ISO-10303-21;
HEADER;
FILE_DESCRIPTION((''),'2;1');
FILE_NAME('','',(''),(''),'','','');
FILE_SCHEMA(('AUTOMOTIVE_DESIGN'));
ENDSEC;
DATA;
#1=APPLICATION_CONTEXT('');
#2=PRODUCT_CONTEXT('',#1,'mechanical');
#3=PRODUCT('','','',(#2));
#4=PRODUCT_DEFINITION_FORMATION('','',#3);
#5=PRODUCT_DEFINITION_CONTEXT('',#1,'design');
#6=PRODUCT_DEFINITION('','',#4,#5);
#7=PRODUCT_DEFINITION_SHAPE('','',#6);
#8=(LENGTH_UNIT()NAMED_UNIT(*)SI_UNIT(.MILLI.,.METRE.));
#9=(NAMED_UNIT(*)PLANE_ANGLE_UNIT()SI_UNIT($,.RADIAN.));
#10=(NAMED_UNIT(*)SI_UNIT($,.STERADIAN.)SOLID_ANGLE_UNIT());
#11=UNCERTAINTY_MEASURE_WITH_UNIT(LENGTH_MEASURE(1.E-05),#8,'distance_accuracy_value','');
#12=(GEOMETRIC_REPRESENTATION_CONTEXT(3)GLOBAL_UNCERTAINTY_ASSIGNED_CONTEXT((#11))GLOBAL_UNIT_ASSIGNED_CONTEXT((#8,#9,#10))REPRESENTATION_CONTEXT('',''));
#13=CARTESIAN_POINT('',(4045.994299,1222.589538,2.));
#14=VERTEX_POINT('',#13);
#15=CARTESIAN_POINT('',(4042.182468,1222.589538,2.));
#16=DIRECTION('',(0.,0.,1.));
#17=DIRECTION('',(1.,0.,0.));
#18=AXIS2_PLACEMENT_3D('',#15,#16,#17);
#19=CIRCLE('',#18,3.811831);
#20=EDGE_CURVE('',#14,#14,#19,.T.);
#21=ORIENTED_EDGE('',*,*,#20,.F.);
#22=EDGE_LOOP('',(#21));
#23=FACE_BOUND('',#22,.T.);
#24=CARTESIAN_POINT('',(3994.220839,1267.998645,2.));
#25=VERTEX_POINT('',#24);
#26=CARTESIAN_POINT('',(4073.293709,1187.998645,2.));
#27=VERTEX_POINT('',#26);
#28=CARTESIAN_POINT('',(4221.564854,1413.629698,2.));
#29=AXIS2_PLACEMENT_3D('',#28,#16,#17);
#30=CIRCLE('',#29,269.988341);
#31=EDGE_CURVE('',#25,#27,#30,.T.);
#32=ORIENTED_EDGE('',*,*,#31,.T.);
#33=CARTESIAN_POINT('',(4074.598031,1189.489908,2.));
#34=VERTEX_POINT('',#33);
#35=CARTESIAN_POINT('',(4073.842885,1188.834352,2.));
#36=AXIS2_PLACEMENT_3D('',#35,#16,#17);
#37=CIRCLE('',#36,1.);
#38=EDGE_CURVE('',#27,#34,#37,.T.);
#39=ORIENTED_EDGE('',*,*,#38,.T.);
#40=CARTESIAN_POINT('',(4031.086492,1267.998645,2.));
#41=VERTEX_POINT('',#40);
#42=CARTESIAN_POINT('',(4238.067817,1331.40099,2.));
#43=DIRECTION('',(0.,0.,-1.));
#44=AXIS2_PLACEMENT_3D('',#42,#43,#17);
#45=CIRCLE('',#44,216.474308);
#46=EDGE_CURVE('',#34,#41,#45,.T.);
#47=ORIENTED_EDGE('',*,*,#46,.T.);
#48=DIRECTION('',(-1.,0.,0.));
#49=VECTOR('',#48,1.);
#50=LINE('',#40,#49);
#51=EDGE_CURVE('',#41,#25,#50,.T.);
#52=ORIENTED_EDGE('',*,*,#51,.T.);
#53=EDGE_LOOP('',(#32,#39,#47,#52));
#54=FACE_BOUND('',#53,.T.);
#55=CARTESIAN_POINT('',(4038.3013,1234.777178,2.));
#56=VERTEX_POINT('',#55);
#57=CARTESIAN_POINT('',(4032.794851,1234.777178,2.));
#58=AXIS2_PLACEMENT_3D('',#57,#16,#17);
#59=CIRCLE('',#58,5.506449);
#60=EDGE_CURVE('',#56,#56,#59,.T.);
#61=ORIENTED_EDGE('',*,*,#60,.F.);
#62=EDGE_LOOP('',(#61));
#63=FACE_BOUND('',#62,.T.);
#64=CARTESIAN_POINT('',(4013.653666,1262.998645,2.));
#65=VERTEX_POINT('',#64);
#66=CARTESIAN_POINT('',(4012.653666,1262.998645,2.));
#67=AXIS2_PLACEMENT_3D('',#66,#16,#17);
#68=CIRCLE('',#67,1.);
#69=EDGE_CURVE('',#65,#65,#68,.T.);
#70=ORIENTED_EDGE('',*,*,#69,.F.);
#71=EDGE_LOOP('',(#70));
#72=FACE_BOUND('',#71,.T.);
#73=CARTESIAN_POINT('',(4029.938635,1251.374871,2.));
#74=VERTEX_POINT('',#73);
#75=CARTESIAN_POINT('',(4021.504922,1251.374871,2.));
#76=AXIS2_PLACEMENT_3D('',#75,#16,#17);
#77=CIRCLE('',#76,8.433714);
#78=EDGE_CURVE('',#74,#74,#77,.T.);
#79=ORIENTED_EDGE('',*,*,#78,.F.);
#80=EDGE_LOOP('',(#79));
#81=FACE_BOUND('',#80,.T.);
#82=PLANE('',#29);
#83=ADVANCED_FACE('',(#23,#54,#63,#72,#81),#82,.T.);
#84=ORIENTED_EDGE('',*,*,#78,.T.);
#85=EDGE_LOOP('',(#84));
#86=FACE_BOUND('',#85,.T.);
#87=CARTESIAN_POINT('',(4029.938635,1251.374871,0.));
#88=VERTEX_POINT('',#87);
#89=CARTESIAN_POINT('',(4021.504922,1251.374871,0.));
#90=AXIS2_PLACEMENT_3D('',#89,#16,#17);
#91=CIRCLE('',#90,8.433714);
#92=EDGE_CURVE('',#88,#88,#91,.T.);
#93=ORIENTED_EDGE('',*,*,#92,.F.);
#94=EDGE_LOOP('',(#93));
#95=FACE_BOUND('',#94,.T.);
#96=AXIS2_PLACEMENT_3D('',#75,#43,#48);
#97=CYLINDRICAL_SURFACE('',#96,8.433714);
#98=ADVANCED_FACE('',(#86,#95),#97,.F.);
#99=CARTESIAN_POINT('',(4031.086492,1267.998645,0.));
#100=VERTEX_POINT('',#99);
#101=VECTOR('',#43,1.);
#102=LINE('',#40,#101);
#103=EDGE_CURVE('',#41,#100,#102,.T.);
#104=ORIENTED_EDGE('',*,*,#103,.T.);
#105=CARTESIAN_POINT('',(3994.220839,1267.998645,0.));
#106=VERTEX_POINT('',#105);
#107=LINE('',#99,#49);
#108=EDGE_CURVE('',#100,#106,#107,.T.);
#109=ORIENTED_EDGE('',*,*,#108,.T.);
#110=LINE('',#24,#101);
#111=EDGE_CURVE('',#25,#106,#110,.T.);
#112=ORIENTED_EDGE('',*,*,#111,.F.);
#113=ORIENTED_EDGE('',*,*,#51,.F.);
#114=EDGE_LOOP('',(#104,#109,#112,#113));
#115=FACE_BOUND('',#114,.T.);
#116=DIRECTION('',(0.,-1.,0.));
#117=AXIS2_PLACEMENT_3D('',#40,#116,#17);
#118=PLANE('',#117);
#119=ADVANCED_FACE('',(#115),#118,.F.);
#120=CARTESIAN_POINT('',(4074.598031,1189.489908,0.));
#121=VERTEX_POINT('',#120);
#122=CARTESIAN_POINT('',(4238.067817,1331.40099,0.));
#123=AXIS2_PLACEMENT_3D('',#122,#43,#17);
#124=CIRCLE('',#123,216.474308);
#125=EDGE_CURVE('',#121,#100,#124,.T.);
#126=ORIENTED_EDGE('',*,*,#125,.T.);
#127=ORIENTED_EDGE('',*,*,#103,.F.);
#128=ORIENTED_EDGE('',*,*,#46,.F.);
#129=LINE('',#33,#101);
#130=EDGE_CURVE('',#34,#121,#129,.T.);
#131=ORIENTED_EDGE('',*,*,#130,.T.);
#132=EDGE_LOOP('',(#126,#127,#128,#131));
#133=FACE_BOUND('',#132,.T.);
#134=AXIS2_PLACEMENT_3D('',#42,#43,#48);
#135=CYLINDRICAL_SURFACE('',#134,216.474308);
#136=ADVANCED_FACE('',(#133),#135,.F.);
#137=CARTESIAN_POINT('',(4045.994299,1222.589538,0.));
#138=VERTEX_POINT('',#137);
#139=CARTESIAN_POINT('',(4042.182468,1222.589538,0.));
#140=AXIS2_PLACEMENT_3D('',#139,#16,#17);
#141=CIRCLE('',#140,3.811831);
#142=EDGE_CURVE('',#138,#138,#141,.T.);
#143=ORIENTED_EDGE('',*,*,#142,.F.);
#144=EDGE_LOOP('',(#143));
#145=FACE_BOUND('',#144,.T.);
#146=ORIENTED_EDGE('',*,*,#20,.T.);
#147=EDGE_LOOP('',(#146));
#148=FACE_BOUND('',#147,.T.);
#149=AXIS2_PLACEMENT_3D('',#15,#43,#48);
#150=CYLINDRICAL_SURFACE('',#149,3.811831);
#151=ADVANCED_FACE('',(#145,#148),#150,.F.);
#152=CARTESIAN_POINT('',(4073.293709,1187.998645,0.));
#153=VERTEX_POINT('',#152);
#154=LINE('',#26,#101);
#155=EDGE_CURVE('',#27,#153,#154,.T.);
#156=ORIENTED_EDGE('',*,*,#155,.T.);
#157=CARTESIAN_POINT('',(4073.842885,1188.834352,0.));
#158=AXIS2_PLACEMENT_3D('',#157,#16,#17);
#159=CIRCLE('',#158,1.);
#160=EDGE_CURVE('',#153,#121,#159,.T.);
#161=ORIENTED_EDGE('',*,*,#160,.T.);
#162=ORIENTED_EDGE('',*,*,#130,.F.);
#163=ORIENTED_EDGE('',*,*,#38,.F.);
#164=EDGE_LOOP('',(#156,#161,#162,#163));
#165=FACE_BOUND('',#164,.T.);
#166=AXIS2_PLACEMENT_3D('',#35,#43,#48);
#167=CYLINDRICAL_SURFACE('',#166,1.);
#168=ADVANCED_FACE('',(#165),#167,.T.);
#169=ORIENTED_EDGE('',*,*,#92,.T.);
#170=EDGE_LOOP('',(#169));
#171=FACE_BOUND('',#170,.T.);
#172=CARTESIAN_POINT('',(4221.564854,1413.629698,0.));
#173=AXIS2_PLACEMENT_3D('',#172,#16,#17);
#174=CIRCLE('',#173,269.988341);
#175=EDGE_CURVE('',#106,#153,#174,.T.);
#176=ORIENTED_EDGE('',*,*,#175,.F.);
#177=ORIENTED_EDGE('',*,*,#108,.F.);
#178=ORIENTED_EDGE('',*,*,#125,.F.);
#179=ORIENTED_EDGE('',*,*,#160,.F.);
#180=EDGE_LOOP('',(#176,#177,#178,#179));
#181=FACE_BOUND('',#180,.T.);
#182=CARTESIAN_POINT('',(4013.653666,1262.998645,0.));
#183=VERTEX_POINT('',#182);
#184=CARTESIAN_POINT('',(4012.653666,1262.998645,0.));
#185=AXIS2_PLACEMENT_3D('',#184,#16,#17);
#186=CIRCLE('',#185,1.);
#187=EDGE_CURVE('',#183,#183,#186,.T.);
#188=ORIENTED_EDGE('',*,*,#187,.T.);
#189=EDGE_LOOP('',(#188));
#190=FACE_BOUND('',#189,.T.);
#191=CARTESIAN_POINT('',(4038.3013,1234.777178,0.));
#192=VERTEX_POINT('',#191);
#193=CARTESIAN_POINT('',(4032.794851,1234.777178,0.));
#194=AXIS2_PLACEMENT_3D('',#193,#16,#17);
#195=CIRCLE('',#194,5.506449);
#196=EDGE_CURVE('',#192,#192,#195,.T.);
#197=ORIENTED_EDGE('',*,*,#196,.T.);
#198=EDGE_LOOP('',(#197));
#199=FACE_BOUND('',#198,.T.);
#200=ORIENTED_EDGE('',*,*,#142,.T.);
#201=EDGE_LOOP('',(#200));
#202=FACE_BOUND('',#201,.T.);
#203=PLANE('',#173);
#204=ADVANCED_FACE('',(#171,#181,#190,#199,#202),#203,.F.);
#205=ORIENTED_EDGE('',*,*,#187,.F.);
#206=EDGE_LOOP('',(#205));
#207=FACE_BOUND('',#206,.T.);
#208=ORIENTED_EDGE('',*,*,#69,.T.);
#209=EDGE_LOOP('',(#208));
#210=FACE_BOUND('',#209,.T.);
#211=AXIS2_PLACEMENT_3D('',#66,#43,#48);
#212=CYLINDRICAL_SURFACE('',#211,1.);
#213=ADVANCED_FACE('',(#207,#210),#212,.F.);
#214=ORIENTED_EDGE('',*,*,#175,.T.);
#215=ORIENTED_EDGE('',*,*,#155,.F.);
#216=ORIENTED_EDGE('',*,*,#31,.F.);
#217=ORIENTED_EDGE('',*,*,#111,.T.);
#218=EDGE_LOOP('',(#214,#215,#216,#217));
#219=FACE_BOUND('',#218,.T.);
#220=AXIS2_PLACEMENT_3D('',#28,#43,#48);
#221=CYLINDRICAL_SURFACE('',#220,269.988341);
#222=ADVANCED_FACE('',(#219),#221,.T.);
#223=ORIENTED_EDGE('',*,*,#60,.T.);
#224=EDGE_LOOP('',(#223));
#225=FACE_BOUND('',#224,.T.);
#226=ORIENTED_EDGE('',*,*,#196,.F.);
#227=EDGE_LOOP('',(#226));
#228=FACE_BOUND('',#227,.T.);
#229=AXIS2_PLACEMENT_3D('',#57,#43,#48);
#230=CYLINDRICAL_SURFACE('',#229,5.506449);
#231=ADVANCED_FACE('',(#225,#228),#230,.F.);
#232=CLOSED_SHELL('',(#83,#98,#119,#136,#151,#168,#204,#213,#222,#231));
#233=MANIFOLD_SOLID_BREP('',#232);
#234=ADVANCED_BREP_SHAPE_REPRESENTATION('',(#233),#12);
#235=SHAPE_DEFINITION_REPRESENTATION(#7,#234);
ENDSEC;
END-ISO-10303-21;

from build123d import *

# Parameters (mm, degrees)
CROQUIS1_R              = 3.811830968
CROQUIS1_R_2            = 8.433713649
CROQUIS1_R_3            = 5.50644924
CROQUIS1_R_4            = 1
SALIENTE_EXTRUIR1_DEPTH = 2


with BuildPart() as part:
    # Croquis1 → Saliente-Extruir1 (new body)
    with BuildSketch(Plane.XY):
        with BuildLine():
            Line((4031.0864923, 1267.998645222), (3994.220839377, 1267.998645222))
            ThreePointArc((3994.220839377, 1267.998645222), (4029.544836626, 1223.835026243), (4073.293708821, 1187.998645222))
            ThreePointArc((4073.293708821, 1187.998645222), (4074.595594818, 1188.175999527), (4074.598031282, 1189.48990811))
            ThreePointArc((4074.598031282, 1189.48990811), (4048.728408118, 1226.464274325), (4031.0864923, 1267.998645222))
        make_face()
        with Locations((4042.182467754, 1222.589537582)):
            Circle(CROQUIS1_R, mode=Mode.SUBTRACT)
        with Locations((4021.504921686, 1251.374870701)):
            Circle(CROQUIS1_R_2, mode=Mode.SUBTRACT)
        with Locations((4032.794850615, 1234.777177731)):
            Circle(CROQUIS1_R_3, mode=Mode.SUBTRACT)
        with Locations((4012.653665839, 1262.998645222)):
            Circle(CROQUIS1_R_4, mode=Mode.SUBTRACT)
    extrude(amount=SALIENTE_EXTRUIR1_DEPTH)


solid = part.part
